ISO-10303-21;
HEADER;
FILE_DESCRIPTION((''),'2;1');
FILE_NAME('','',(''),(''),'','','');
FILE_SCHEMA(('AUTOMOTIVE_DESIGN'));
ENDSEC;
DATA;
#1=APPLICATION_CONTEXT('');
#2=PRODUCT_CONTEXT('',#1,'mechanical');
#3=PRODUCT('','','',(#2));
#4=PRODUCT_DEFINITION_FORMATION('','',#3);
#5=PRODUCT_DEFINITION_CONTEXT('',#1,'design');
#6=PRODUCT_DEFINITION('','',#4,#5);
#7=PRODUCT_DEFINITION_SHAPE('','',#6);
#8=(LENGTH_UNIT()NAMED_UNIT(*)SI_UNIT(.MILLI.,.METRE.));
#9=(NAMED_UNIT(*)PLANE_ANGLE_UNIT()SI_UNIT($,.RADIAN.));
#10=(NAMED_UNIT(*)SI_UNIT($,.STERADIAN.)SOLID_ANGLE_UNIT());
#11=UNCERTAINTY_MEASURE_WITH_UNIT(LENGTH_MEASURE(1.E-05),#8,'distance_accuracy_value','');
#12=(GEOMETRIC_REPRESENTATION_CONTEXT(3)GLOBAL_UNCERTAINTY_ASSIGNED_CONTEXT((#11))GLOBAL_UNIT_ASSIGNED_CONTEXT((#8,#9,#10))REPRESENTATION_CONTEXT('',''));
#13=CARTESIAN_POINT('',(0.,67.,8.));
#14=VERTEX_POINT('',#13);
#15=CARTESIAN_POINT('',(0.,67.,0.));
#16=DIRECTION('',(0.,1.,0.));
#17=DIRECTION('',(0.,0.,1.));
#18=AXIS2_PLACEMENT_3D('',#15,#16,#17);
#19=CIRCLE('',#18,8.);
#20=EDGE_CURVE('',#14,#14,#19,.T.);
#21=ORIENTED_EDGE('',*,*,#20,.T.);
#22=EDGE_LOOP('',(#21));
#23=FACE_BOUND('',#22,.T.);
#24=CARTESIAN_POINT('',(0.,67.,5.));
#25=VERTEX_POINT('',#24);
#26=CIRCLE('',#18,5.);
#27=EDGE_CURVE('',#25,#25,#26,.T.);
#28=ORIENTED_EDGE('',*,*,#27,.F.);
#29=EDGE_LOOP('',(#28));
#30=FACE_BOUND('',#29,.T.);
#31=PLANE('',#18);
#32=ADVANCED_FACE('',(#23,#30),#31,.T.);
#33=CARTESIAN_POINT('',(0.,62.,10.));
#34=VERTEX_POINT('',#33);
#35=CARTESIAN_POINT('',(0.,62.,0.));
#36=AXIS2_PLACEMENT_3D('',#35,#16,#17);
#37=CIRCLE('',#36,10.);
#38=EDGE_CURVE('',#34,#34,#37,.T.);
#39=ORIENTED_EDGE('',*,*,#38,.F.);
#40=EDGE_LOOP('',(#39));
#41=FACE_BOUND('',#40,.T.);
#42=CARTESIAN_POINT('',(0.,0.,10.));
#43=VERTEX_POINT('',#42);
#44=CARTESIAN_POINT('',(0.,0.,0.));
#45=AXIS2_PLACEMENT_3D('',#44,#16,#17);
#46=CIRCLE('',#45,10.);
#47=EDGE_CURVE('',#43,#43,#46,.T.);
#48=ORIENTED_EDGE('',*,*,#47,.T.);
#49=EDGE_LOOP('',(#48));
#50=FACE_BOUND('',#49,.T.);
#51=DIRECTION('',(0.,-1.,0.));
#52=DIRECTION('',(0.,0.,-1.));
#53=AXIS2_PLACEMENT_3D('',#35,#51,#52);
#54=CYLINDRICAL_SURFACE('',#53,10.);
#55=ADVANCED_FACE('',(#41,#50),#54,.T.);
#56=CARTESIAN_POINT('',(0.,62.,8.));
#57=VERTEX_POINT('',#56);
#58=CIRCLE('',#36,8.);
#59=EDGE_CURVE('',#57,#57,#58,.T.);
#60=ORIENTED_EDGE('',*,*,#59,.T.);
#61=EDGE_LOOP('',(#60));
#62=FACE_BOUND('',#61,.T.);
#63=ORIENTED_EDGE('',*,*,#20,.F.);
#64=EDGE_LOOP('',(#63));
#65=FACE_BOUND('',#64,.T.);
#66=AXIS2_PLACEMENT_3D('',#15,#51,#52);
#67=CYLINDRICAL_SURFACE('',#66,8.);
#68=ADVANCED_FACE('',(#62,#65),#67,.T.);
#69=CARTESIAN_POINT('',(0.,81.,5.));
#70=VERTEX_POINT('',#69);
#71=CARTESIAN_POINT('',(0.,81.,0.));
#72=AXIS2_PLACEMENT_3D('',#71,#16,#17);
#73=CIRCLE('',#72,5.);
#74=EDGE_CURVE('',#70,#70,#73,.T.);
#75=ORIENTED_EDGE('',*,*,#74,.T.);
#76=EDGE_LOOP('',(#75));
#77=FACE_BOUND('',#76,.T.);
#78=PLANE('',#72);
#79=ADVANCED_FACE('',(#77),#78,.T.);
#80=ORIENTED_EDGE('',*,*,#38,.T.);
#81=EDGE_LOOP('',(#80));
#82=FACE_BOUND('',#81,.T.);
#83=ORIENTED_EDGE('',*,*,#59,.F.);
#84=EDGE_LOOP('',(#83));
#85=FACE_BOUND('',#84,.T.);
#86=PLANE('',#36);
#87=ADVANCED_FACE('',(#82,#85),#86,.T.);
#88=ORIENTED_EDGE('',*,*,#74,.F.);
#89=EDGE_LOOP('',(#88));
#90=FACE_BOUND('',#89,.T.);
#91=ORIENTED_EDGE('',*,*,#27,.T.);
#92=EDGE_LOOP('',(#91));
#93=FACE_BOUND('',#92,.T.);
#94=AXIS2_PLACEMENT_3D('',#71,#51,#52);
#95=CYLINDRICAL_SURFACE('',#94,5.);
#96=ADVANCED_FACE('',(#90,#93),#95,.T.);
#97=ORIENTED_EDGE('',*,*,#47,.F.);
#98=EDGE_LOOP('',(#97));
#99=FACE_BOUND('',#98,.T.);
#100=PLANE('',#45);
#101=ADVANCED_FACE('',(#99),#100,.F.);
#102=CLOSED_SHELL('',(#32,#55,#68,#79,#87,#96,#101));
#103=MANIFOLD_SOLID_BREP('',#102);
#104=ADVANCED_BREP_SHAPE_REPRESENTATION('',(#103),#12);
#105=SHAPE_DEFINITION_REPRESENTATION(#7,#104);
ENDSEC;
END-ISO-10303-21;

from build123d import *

# Parameters (mm, degrees)
ESQUISSE1_R        = 10
BOSS_EXTRU_1_DEPTH = 62
ESQUISSE2_R        = 8
BOSS_EXTRU_2_DEPTH = 5
ESQUISSE3_R        = 5
BOSS_EXTRU_3_DEPTH = 14


with BuildPart() as part:
    # Esquisse1 → Boss.-Extru.1 (new body)
    with BuildSketch(Plane(origin=(0, 0, 0), x_dir=(1, 0, 0), z_dir=(0, 1, 0))):
        with Locations(Location((0, 0, 0), (0, 0, 270))):  # turned: the seam where the file's is
            Circle(ESQUISSE1_R)
    extrude(amount=BOSS_EXTRU_1_DEPTH)

    # Esquisse2 → Boss.-Extru.2 (add)
    with BuildSketch(Plane(origin=(0, 62, 0), x_dir=(1, 0, 0), z_dir=(0, 1, 0))):
        with Locations(Location((0, 0, 0), (0, 0, 270))):  # turned: the seam where the file's is
            Circle(ESQUISSE2_R)
    extrude(amount=BOSS_EXTRU_2_DEPTH)

    # Esquisse3 → Boss.-Extru.3 (add)
    with BuildSketch(Plane(origin=(0, 67, 0), x_dir=(1, 0, 0), z_dir=(0, 1, 0))):
        with Locations(Location((0, 0, 0), (0, 0, 270))):  # turned: the seam where the file's is
            Circle(ESQUISSE3_R)
    extrude(amount=BOSS_EXTRU_3_DEPTH)


solid = part.part
